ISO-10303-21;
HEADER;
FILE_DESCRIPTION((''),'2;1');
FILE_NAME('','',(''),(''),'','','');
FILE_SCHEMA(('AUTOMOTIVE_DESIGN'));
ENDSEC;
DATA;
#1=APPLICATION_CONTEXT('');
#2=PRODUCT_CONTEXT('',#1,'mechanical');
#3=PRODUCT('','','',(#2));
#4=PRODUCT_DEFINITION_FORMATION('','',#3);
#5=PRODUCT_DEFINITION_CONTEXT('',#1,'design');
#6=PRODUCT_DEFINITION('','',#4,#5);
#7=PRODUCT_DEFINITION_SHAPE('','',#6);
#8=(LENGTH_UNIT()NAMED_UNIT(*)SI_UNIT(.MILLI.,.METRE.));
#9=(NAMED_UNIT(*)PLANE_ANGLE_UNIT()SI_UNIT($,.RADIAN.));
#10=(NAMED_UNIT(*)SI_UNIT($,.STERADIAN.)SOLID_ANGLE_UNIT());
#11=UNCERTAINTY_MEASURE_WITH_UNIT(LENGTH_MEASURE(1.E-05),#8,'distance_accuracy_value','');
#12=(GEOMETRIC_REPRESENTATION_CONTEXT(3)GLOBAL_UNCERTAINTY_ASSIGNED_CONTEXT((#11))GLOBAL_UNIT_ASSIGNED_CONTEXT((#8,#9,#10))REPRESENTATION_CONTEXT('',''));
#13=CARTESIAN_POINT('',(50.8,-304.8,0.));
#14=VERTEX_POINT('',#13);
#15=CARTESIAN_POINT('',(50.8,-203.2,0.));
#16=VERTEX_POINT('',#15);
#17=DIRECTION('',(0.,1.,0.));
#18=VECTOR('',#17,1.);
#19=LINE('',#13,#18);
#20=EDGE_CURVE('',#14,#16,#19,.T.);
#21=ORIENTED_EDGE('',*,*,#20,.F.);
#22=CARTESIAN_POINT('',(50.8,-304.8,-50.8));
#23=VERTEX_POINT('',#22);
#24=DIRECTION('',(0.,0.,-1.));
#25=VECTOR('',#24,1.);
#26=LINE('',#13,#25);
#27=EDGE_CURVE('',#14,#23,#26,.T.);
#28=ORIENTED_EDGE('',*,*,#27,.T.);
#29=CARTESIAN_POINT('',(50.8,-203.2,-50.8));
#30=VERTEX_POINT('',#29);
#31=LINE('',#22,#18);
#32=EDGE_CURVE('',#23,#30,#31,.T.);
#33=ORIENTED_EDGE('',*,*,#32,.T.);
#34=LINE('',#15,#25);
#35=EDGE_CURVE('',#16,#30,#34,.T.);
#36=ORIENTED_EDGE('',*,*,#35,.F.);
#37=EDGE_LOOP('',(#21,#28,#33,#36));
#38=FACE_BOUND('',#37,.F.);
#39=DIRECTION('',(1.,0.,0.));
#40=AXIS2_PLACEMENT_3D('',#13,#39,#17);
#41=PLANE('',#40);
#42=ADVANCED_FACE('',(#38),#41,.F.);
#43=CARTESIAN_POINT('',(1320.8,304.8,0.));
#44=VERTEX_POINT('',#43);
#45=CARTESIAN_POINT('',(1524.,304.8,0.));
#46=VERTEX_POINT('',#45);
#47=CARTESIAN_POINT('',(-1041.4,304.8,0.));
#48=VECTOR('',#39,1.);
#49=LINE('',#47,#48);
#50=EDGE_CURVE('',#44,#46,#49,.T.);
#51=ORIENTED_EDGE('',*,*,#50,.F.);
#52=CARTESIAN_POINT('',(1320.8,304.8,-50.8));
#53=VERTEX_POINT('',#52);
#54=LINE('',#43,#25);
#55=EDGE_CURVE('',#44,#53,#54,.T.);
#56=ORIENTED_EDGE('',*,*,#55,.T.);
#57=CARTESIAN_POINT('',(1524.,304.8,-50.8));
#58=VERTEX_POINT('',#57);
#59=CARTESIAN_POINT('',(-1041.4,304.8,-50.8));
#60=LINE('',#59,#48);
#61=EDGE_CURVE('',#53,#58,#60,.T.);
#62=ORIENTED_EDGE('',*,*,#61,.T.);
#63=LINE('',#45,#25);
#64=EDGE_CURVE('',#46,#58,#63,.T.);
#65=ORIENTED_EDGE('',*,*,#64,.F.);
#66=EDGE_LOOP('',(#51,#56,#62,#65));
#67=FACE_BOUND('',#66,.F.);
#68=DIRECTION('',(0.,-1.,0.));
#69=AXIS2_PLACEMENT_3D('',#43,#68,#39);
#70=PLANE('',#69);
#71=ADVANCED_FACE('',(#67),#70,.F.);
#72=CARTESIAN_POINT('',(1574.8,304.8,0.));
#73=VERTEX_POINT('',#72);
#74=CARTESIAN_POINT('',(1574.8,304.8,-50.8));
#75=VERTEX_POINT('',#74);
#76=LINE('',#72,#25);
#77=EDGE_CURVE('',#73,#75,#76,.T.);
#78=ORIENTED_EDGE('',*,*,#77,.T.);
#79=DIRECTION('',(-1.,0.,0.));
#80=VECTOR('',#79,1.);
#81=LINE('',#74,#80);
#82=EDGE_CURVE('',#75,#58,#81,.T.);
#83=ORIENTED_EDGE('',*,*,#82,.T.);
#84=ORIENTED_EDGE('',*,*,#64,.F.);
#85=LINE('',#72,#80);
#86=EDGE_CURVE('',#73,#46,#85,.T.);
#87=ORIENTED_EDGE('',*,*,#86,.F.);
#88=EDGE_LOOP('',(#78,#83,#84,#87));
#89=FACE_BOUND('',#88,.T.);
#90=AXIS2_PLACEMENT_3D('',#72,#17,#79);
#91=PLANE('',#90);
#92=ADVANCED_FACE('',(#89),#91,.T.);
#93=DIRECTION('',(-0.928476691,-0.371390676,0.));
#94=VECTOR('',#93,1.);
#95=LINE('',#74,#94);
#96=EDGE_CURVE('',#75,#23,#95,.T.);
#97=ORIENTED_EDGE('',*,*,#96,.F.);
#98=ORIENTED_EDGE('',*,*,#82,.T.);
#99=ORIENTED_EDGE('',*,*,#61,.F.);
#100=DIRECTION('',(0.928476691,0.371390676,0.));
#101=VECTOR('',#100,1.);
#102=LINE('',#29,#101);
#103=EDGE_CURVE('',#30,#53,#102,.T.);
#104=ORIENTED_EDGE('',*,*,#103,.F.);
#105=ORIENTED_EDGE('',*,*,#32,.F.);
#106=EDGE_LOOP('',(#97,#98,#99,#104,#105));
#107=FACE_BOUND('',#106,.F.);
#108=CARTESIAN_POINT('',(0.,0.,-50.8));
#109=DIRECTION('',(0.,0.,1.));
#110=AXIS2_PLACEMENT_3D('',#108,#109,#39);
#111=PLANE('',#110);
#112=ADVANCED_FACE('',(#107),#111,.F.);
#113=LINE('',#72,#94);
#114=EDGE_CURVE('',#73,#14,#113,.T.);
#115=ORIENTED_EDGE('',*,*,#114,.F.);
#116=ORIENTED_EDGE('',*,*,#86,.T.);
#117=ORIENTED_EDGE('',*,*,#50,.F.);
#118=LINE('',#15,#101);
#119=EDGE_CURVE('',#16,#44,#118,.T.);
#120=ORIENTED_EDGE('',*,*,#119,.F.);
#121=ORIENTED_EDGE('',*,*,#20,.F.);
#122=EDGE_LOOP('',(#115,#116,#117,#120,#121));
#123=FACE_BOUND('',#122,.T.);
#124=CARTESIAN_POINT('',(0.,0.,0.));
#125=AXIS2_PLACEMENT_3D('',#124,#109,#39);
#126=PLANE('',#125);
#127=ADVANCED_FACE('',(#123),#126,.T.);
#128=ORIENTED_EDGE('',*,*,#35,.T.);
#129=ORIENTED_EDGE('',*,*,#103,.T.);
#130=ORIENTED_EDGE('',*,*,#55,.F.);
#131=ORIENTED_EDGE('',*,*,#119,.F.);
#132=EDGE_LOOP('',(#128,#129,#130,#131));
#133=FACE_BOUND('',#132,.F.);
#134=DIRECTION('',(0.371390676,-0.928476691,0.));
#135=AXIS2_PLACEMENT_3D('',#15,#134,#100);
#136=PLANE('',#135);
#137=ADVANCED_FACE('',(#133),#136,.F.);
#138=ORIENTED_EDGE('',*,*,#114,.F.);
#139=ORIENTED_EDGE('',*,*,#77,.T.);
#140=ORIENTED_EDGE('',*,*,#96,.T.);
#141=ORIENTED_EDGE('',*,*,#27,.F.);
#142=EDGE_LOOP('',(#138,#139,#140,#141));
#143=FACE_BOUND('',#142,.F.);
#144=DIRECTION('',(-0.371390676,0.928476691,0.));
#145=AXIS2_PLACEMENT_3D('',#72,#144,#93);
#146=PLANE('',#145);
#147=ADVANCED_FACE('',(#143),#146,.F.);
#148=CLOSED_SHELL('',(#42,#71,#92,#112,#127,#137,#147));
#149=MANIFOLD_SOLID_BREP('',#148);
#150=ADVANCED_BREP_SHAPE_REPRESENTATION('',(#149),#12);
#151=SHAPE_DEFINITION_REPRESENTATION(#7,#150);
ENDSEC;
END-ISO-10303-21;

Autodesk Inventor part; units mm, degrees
ref_plane "YZ Plane" through (0, 0, 0) normal (1, 0, 0) x (0, 1, 0)
ref_plane "XZ Plane" through (0, 0, 0) normal (0, 1, 0) x (-1, 0, 0)
ref_plane "XY Plane" through (0, 0, 0) normal (0, 0, 1) x (1, 0, 0)
ref_plane "Work Plane1" through (0, 0, 0) normal (0, 0, 1) x (1, 0, 0)
ref_plane "Work Plane2" through (0, 0, 0) normal (0, 0, 1) x (1, 0, 0)
sketch "Sketch1" plane through (0, 0, 0) normal (0, 0, 1) x (1, 0, 0)
  line L0 (50.8, 304.8) -> (-50.8, 304.8) projected
  line L1 (-50.8, 304.8) -> (-50.8, -245.3386) projected
  line L2 (-50.8, -245.3386) -> (50.8, -304.8) projected
  line L3 (50.8, -304.8) -> (50.8, 304.8) projected
  line L4 (-1041.4, 304.8) -> (1524, 304.8) projected
  line L5 (1524, 304.8) -> (1524, 406.4) projected
  line L6 (1524, 406.4) -> (-1041.4, 406.4) projected
  line L7 (-1041.4, 406.4) -> (-1041.4, 304.8) projected
  line L8 (1574.8, 304.8) -> (1574.8, 406.4) projected
  line L9 (1574.8, 406.4) -> (1524, 406.4) projected
  line L10 (1524, 304.8) -> (1524, 406.4) projected
  line L11 (1574.8, 304.8) -> (1524, 304.8) projected
  line L12 (1574.8, 304.8) -> (50.8, -304.8)
  line L13 (50.8, -203.2) -> (50.8, -304.8)
  line L14 (50.8, -203.2) -> (1320.8, 304.8)
  line L15 (1320.8, 304.8) -> (1574.8, 304.8)
  point P0 (0, 0)
  dimension "d0" = 101.6
extrude "Extrusion1" add sketch "Sketch1" against normal blind 50.8 contours L14 L4 L11 L12 L3
properties part number "Upper side diagonal"
